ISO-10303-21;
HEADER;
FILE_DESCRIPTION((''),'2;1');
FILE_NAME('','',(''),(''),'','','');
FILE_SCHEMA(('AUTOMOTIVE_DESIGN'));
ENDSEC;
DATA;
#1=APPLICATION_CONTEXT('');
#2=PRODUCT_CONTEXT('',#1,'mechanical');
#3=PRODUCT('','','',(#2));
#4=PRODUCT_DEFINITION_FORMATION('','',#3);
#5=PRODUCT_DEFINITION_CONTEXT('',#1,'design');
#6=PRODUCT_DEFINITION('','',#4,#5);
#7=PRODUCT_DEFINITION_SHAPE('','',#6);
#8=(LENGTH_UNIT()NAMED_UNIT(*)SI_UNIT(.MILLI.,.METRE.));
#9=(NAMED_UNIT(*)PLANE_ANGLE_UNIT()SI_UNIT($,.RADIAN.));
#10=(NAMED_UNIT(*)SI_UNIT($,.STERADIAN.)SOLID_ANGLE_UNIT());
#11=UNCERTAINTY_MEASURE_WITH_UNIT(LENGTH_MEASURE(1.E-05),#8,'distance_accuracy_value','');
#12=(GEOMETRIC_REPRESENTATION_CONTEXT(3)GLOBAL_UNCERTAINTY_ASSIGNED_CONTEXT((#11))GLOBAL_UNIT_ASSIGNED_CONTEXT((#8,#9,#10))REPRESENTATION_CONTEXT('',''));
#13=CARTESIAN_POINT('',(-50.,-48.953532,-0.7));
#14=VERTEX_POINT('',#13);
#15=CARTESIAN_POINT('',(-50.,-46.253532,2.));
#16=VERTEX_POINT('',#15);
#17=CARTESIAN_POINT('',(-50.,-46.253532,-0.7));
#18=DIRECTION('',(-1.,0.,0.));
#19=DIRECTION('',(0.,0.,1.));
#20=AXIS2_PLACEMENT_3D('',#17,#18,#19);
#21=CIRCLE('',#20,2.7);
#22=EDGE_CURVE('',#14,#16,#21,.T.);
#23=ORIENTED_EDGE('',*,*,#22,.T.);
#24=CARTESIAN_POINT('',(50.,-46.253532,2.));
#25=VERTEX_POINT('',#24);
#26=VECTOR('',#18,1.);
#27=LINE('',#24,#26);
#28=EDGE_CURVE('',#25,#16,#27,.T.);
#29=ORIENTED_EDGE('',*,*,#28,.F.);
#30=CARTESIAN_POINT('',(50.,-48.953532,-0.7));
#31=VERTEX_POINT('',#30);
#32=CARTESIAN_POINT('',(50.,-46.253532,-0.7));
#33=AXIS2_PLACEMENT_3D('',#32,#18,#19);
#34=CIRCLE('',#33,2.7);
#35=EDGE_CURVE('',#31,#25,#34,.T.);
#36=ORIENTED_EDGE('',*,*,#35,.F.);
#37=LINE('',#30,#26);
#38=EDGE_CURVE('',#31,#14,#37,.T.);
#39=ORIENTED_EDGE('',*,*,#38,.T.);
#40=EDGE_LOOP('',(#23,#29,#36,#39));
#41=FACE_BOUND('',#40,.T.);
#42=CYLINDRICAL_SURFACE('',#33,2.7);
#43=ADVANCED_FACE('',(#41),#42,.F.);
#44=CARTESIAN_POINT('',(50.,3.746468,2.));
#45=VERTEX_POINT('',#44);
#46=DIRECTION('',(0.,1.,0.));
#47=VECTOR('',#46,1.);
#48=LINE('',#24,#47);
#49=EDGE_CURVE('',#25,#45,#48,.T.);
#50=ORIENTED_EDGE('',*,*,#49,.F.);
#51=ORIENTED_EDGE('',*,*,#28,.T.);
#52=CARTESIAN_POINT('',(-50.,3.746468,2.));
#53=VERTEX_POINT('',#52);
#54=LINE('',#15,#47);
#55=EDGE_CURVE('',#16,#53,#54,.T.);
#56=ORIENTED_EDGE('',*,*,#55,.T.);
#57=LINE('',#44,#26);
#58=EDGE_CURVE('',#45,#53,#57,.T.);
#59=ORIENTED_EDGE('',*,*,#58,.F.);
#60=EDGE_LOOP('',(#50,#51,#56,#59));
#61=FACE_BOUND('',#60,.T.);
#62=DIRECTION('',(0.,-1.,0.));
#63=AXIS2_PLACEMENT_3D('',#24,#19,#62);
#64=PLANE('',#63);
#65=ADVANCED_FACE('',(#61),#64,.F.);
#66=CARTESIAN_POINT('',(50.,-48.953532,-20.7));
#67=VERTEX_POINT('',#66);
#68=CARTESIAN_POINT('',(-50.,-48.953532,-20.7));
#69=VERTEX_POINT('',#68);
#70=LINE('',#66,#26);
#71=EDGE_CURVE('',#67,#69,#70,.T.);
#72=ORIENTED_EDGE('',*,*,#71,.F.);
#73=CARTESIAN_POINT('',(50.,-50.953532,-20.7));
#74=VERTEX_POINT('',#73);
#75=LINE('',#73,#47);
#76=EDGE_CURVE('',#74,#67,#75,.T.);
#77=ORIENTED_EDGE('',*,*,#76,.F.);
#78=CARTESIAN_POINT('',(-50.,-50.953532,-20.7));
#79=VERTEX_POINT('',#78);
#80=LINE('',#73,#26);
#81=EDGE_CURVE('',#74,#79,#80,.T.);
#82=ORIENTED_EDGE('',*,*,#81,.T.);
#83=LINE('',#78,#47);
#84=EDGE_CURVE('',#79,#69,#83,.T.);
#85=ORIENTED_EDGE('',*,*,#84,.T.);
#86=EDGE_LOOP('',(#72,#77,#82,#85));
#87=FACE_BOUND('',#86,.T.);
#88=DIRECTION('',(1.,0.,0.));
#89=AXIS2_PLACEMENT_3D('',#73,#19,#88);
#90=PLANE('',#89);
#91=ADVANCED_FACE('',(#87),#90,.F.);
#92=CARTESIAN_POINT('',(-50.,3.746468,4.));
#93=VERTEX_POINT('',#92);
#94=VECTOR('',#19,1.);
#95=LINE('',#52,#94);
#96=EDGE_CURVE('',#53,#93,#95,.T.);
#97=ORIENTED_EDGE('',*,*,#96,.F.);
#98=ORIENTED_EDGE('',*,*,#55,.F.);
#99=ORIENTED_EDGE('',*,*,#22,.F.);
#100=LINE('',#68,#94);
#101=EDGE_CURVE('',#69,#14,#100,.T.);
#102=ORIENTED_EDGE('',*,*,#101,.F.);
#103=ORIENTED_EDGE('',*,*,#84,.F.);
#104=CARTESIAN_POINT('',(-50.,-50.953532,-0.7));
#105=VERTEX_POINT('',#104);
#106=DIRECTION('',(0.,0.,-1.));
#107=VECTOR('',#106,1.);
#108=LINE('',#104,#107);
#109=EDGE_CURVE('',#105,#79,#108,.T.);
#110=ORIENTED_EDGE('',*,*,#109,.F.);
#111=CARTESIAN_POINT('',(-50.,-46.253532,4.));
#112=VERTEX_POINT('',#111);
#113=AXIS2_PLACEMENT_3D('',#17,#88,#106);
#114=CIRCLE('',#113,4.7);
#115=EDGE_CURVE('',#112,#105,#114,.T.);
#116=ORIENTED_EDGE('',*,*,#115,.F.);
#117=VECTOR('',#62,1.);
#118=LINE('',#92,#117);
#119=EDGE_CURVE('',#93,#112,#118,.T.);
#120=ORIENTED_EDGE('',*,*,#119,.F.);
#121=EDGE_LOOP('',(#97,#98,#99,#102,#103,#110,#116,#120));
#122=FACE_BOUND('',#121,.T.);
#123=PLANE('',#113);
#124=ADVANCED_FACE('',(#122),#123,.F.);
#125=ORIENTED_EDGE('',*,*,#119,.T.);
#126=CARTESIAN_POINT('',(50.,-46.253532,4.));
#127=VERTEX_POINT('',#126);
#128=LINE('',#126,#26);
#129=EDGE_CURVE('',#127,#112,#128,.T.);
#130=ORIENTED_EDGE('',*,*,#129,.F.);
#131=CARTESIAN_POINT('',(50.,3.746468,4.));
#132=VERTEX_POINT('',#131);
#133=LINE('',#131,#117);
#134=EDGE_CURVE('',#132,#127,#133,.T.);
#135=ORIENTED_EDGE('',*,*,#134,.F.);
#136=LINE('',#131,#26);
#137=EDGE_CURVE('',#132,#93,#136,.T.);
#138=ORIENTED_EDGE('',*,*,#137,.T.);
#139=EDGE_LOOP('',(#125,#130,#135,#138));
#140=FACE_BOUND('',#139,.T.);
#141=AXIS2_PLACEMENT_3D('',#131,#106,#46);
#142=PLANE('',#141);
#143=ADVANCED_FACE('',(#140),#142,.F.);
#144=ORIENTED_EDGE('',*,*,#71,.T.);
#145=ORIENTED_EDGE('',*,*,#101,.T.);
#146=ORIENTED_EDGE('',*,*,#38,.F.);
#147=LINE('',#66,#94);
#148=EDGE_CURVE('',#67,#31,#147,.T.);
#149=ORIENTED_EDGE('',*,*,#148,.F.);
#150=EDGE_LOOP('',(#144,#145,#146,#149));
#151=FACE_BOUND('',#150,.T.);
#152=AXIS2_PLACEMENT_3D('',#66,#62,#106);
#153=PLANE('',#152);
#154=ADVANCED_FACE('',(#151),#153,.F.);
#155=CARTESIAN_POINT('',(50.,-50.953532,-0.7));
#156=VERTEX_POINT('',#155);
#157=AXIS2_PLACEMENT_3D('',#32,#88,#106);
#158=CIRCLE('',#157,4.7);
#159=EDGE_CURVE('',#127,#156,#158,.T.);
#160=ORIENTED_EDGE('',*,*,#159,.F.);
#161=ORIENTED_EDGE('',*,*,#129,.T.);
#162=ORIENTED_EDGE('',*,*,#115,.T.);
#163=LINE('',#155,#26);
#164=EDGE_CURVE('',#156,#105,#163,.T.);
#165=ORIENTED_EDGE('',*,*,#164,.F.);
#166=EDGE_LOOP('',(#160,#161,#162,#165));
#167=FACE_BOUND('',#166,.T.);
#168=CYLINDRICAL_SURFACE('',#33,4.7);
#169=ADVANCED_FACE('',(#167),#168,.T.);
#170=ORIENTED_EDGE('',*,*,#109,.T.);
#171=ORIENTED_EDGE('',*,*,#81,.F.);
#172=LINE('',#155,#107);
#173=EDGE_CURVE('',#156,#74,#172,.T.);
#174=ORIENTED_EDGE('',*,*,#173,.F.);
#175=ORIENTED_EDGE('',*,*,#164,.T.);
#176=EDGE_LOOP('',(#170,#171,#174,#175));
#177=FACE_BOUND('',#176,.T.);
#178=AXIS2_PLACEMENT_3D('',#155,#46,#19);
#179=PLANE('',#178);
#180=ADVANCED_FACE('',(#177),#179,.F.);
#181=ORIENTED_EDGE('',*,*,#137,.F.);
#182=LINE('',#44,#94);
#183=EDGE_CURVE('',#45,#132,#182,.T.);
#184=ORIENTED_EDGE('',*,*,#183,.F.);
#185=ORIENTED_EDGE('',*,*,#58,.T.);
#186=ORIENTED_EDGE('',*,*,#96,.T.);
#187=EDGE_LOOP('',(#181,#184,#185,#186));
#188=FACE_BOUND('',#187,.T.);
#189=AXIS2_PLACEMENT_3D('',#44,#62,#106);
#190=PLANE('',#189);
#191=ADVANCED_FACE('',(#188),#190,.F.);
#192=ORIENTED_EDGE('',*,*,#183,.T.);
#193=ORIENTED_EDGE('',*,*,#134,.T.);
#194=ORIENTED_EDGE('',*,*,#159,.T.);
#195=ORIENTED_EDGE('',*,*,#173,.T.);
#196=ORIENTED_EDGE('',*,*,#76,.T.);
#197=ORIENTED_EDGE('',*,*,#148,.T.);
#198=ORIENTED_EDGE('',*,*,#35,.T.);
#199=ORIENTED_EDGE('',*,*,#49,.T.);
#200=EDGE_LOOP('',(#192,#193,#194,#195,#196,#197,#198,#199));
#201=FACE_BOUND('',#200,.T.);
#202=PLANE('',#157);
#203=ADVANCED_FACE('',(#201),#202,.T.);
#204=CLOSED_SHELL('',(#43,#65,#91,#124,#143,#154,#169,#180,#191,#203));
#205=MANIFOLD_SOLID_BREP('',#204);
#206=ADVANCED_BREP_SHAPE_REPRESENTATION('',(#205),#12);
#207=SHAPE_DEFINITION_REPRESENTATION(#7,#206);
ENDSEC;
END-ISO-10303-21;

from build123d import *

# Parameters (mm, degrees)
BOSS_EXTRUDE1_DEPTH = 50


with BuildPart() as part:
    # Sketch1 → Boss-Extrude1 (new, symmetric)
    with BuildSketch(Plane(origin=(0, 0, 0), x_dir=(0, 0, -1), z_dir=(1, 0, 0))):
        with BuildLine():
            Line((-4, 3.746468452), (-4, -46.253531548))
            ThreePointArc((-4, -46.253531548), (-2.623401872, -49.57693342), (0.7, -50.953531548))
            Line((0.7, -50.953531548), (20.7, -50.953531548))
            Line((20.7, -50.953531548), (20.7, -48.953531548))
            Line((20.7, -48.953531548), (0.7, -48.953531548))
            ThreePointArc((0.7, -48.953531548), (-1.209188309, -48.162719858), (-2, -46.253531548))
            Line((-2, -46.253531548), (-2, 3.746468452))
            Line((-2, 3.746468452), (-4, 3.746468452))
        make_face()
    extrude(amount=BOSS_EXTRUDE1_DEPTH, both=True)


solid = part.part
